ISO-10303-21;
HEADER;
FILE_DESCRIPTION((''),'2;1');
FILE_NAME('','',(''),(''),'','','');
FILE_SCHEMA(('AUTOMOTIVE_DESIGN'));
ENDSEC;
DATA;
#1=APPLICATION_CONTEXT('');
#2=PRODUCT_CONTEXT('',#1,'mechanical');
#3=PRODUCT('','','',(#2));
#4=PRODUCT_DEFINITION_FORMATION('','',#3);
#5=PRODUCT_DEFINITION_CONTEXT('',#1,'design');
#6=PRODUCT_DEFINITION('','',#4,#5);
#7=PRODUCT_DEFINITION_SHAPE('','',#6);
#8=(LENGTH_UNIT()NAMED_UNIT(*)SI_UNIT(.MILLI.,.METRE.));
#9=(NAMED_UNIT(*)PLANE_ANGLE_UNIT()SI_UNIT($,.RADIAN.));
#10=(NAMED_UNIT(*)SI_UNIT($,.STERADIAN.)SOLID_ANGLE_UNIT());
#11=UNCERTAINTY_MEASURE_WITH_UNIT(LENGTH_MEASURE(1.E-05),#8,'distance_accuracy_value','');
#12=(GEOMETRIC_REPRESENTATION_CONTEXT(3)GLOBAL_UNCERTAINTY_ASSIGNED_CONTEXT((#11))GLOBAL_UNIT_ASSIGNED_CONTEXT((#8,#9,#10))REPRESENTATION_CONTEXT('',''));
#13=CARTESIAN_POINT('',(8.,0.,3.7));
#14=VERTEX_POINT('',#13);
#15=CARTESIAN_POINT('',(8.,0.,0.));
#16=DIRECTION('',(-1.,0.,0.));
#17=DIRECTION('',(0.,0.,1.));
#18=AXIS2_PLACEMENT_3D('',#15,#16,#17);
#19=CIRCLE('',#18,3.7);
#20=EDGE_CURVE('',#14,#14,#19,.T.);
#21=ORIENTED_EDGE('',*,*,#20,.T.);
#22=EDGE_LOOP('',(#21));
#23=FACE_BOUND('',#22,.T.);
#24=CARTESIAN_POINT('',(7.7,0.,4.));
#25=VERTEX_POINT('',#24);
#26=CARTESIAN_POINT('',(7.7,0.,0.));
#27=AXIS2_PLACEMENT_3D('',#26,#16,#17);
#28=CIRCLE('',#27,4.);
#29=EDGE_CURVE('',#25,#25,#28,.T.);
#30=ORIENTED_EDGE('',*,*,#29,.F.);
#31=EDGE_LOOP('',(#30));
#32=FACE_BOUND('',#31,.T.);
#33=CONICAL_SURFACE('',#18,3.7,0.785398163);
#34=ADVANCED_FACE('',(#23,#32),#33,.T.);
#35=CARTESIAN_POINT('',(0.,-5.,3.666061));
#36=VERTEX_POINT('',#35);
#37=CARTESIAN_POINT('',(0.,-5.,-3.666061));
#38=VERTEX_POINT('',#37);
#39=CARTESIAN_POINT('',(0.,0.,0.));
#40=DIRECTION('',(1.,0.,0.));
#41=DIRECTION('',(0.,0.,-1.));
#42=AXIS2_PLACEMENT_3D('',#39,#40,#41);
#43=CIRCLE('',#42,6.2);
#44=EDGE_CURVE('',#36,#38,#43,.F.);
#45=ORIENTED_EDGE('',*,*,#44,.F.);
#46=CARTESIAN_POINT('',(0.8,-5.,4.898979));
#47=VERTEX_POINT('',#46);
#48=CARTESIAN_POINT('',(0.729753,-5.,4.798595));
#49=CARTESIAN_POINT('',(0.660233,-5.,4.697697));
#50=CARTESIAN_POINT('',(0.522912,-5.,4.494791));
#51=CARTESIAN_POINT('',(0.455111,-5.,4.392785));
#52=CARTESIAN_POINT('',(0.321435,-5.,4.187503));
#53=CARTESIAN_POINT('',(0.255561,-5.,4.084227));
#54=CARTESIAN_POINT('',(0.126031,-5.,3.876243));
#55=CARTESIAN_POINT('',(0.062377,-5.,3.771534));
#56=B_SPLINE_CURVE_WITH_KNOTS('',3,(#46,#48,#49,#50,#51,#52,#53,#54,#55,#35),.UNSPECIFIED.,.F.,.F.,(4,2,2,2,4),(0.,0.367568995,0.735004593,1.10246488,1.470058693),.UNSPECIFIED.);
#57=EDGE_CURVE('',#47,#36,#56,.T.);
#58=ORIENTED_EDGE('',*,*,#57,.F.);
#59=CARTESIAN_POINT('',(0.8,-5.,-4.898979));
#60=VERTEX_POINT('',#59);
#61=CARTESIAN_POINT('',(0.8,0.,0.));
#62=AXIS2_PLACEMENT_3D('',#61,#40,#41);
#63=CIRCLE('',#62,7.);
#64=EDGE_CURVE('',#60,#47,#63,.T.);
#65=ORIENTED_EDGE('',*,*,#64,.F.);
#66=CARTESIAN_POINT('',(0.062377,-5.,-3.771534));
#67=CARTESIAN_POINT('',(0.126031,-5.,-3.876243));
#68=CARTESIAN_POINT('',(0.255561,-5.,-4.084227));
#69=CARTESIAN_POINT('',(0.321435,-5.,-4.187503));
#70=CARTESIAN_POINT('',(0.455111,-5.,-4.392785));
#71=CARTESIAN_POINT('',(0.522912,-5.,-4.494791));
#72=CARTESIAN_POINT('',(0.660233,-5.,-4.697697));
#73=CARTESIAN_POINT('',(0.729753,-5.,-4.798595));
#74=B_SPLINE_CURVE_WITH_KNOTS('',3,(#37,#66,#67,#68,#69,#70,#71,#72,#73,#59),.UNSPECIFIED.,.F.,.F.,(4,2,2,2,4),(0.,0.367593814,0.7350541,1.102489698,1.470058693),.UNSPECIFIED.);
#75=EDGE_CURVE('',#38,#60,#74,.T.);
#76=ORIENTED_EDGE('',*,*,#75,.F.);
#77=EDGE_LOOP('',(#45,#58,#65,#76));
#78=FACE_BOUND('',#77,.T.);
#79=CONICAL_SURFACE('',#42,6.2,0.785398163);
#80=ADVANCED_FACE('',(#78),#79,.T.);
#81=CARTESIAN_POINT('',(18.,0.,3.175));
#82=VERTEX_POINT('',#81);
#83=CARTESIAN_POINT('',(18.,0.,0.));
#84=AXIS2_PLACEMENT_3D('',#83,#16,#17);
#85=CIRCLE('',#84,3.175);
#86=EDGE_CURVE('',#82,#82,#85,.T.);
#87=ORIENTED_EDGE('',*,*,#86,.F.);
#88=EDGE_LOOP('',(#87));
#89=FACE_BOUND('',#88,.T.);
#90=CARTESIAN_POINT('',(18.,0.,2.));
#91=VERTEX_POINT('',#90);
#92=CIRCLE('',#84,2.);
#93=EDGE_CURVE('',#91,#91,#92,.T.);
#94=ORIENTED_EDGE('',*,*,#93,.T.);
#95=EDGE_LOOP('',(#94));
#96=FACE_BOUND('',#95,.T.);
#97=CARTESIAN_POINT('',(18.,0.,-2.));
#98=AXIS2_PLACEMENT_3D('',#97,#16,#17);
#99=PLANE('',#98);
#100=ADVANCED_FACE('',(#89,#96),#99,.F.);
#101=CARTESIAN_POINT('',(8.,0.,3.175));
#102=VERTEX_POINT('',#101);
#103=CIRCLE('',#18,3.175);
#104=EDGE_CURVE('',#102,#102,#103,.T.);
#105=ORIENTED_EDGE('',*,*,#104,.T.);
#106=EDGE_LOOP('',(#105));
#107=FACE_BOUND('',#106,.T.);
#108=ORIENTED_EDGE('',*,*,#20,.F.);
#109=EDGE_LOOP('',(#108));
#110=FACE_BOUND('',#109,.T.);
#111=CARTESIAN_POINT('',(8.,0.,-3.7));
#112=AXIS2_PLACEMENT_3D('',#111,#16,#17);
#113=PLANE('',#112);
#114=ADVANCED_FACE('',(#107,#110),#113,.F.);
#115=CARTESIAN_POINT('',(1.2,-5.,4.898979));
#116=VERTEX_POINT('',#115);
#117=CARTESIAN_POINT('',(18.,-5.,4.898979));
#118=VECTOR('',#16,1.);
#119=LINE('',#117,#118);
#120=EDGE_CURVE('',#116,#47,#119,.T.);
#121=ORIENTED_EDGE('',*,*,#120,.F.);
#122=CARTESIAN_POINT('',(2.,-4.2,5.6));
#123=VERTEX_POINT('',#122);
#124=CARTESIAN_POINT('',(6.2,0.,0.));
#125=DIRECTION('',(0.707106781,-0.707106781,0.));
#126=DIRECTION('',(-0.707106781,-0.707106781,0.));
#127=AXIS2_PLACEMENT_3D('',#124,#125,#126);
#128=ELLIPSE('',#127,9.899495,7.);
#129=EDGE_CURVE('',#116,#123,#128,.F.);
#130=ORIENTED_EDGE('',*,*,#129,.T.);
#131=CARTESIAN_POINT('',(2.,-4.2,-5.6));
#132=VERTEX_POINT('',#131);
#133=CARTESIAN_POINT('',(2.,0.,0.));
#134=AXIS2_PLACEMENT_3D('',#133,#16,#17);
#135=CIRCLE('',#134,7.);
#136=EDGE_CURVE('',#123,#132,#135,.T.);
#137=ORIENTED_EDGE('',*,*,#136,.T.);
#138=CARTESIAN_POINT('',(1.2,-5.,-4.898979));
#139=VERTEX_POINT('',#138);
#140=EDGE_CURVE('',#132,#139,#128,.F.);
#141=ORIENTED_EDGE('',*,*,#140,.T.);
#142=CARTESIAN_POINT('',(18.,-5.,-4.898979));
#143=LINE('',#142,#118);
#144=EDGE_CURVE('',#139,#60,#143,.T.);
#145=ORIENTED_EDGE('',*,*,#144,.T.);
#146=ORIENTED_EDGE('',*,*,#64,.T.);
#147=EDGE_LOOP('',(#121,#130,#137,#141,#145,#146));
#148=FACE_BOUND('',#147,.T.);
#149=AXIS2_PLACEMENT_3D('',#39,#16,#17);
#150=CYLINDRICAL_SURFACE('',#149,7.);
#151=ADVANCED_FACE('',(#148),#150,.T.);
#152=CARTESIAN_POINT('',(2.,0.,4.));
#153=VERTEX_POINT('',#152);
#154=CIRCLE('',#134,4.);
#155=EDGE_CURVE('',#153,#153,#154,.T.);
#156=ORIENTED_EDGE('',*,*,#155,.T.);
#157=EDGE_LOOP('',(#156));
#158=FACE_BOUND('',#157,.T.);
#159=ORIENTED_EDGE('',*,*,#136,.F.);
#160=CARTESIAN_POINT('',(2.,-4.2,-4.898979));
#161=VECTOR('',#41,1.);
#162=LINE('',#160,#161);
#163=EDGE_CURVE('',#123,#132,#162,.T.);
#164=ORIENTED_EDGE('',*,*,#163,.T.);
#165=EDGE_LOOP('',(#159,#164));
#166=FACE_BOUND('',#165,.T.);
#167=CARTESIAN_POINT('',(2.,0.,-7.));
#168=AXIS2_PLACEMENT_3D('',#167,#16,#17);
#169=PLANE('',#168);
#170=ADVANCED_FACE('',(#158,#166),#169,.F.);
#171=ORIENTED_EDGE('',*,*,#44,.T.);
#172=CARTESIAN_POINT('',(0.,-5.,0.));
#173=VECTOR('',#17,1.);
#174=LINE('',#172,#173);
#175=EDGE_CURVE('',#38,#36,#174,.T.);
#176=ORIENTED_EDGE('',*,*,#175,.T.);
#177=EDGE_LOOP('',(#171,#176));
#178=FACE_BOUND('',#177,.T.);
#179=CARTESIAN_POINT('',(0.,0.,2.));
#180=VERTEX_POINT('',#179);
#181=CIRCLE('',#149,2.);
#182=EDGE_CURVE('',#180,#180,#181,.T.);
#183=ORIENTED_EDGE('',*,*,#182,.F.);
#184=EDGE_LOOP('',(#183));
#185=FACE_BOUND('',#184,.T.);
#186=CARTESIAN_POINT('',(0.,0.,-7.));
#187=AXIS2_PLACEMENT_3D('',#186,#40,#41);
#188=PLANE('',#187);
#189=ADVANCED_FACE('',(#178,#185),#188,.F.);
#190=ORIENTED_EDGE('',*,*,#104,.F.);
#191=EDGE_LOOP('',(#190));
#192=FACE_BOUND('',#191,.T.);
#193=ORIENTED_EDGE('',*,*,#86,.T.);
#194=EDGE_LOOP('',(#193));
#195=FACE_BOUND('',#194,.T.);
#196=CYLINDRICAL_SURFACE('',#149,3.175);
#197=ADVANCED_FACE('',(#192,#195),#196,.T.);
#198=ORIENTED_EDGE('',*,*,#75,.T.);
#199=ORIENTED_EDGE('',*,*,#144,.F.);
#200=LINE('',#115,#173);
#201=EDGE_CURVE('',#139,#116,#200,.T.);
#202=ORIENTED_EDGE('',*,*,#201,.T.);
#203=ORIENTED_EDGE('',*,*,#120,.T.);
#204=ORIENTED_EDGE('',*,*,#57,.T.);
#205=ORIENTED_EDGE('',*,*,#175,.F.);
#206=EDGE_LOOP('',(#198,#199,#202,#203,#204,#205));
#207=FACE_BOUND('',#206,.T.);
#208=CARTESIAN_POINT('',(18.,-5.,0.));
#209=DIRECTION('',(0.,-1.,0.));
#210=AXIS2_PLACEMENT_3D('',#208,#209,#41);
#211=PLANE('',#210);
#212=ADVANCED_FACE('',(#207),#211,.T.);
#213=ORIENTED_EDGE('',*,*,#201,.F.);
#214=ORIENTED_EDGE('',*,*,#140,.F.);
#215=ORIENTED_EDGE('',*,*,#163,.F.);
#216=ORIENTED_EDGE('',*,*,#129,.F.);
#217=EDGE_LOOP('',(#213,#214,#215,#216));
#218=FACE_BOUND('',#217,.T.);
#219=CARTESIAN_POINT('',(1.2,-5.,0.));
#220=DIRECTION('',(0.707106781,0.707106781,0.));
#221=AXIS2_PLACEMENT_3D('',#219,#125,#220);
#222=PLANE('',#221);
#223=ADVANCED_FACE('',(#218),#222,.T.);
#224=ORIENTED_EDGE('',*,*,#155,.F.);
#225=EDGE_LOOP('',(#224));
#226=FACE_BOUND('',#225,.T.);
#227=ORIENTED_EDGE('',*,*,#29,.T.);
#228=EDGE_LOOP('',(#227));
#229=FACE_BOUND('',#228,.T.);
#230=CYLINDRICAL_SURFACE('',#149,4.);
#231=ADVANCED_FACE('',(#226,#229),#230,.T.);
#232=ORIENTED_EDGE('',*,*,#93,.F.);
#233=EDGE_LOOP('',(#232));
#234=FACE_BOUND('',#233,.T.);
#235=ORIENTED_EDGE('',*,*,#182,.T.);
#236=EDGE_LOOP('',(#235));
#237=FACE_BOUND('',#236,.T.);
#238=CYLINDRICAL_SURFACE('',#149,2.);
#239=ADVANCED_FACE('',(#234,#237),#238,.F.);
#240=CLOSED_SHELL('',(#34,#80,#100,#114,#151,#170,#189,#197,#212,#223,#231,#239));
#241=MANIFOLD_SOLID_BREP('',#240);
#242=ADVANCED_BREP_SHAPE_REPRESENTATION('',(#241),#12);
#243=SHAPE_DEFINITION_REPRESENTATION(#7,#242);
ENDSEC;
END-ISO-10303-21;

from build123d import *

# Parameters (mm, degrees)
CUT_EXTRUDE_2_DEPTH = 19
CHAMFER_1_SIZE      = 0.8


with BuildPart() as part:
    # Эскиз1 → Повернуть1 (revolve)
    with BuildSketch(Plane(origin=(0, 0, 0), x_dir=(1, 0, 0), z_dir=(0, 1, 0))):
        Polygon((0, 2), (18, 2), (18, 3.175), (8, 3.175), (8, 3.7), (7.7, 4), (2, 4), (2, 7), (0, 7), align=None)
    revolve(axis=Axis((0, 0, 0), (1, 0, 0)))

    # Эскиз2 → Вырез-Вытянуть2 (cut, through all)
    with BuildSketch(Plane.ZY):
        with BuildLine():
            Line((4.898979486, -5), (-4.898979486, -5))
            ThreePointArc((-4.898979486, -5), (0, -7), (4.898979486, -5))
        make_face()
    extrude(amount=-CUT_EXTRUDE_2_DEPTH, mode=Mode.SUBTRACT)

    # Фаска1
    chamfer_1_edges = [part.edges().sort_by_distance(p)[0] for p in [
        (0, 7, 0),
        (2, -5, 0),
    ]]
    chamfer(chamfer_1_edges, length=CHAMFER_1_SIZE)


solid = part.part
